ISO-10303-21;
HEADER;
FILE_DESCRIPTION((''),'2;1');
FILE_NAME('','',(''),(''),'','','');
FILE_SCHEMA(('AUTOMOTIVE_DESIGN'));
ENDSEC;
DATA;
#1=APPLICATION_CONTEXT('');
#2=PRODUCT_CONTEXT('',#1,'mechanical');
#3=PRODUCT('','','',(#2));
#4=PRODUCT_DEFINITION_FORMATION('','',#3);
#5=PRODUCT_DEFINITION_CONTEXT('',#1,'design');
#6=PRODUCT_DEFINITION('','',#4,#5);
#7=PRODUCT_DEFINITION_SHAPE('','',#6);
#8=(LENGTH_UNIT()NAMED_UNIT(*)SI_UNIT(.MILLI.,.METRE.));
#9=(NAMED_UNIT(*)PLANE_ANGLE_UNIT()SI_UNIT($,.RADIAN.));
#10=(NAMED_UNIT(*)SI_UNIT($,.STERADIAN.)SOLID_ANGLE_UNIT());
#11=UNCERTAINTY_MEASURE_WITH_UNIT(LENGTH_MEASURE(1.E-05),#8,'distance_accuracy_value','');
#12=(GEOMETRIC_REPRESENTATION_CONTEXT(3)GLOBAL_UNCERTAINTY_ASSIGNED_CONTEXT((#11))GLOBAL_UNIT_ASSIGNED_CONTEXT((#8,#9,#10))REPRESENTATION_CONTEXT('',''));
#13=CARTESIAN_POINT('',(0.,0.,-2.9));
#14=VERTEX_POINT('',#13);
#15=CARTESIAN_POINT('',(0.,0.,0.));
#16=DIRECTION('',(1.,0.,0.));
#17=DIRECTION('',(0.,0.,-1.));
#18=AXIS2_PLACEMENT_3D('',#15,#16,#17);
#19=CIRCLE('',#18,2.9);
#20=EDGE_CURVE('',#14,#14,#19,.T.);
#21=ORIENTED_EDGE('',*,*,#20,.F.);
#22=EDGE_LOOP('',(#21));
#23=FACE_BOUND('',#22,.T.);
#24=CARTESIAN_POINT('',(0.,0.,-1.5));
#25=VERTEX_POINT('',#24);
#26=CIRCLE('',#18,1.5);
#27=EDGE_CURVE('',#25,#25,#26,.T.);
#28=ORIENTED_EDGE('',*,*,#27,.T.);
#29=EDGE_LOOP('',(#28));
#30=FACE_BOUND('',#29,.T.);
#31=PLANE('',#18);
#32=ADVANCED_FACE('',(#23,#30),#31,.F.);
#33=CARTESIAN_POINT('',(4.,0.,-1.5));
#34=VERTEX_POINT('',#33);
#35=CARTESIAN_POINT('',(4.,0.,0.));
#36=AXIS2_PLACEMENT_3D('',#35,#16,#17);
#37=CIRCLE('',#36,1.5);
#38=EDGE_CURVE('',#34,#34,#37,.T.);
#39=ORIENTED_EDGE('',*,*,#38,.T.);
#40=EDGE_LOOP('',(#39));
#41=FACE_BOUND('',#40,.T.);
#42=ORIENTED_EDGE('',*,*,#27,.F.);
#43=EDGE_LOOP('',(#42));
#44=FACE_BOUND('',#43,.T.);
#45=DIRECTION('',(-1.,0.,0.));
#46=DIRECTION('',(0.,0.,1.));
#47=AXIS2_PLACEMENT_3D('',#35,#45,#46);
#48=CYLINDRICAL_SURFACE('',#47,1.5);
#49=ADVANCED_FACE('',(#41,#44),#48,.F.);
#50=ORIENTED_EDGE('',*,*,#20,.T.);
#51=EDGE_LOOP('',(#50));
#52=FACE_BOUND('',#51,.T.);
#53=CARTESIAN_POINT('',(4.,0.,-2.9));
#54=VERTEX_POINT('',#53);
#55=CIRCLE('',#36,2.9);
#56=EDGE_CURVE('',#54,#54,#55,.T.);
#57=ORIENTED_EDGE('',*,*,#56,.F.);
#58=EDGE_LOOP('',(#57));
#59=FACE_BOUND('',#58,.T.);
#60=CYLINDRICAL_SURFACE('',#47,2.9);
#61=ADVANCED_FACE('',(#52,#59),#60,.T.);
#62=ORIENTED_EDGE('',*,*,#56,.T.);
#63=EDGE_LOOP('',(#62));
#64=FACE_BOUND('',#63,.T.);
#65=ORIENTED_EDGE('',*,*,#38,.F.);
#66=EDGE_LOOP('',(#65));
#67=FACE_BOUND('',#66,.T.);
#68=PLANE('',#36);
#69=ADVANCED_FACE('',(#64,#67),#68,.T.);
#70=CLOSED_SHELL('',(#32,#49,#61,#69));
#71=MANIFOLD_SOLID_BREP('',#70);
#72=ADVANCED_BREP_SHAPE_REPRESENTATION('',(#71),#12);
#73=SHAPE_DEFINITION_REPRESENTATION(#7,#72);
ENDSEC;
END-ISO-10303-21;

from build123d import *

# Parameters (mm, degrees)
ESQUISSE1_R      = 2.9
ESQUISSE1_R_2    = 1.5
EXTRUSION1_DEPTH = 4


with BuildPart() as part:
    # Esquisse1 → Extrusion1 (new body)
    with BuildSketch(Plane(origin=(0, 0, 0), x_dir=(0, 0, -1), z_dir=(1, 0, 0))):
        Circle(ESQUISSE1_R)
        Circle(ESQUISSE1_R_2, mode=Mode.SUBTRACT)
    extrude(amount=EXTRUSION1_DEPTH)


solid = part.part
